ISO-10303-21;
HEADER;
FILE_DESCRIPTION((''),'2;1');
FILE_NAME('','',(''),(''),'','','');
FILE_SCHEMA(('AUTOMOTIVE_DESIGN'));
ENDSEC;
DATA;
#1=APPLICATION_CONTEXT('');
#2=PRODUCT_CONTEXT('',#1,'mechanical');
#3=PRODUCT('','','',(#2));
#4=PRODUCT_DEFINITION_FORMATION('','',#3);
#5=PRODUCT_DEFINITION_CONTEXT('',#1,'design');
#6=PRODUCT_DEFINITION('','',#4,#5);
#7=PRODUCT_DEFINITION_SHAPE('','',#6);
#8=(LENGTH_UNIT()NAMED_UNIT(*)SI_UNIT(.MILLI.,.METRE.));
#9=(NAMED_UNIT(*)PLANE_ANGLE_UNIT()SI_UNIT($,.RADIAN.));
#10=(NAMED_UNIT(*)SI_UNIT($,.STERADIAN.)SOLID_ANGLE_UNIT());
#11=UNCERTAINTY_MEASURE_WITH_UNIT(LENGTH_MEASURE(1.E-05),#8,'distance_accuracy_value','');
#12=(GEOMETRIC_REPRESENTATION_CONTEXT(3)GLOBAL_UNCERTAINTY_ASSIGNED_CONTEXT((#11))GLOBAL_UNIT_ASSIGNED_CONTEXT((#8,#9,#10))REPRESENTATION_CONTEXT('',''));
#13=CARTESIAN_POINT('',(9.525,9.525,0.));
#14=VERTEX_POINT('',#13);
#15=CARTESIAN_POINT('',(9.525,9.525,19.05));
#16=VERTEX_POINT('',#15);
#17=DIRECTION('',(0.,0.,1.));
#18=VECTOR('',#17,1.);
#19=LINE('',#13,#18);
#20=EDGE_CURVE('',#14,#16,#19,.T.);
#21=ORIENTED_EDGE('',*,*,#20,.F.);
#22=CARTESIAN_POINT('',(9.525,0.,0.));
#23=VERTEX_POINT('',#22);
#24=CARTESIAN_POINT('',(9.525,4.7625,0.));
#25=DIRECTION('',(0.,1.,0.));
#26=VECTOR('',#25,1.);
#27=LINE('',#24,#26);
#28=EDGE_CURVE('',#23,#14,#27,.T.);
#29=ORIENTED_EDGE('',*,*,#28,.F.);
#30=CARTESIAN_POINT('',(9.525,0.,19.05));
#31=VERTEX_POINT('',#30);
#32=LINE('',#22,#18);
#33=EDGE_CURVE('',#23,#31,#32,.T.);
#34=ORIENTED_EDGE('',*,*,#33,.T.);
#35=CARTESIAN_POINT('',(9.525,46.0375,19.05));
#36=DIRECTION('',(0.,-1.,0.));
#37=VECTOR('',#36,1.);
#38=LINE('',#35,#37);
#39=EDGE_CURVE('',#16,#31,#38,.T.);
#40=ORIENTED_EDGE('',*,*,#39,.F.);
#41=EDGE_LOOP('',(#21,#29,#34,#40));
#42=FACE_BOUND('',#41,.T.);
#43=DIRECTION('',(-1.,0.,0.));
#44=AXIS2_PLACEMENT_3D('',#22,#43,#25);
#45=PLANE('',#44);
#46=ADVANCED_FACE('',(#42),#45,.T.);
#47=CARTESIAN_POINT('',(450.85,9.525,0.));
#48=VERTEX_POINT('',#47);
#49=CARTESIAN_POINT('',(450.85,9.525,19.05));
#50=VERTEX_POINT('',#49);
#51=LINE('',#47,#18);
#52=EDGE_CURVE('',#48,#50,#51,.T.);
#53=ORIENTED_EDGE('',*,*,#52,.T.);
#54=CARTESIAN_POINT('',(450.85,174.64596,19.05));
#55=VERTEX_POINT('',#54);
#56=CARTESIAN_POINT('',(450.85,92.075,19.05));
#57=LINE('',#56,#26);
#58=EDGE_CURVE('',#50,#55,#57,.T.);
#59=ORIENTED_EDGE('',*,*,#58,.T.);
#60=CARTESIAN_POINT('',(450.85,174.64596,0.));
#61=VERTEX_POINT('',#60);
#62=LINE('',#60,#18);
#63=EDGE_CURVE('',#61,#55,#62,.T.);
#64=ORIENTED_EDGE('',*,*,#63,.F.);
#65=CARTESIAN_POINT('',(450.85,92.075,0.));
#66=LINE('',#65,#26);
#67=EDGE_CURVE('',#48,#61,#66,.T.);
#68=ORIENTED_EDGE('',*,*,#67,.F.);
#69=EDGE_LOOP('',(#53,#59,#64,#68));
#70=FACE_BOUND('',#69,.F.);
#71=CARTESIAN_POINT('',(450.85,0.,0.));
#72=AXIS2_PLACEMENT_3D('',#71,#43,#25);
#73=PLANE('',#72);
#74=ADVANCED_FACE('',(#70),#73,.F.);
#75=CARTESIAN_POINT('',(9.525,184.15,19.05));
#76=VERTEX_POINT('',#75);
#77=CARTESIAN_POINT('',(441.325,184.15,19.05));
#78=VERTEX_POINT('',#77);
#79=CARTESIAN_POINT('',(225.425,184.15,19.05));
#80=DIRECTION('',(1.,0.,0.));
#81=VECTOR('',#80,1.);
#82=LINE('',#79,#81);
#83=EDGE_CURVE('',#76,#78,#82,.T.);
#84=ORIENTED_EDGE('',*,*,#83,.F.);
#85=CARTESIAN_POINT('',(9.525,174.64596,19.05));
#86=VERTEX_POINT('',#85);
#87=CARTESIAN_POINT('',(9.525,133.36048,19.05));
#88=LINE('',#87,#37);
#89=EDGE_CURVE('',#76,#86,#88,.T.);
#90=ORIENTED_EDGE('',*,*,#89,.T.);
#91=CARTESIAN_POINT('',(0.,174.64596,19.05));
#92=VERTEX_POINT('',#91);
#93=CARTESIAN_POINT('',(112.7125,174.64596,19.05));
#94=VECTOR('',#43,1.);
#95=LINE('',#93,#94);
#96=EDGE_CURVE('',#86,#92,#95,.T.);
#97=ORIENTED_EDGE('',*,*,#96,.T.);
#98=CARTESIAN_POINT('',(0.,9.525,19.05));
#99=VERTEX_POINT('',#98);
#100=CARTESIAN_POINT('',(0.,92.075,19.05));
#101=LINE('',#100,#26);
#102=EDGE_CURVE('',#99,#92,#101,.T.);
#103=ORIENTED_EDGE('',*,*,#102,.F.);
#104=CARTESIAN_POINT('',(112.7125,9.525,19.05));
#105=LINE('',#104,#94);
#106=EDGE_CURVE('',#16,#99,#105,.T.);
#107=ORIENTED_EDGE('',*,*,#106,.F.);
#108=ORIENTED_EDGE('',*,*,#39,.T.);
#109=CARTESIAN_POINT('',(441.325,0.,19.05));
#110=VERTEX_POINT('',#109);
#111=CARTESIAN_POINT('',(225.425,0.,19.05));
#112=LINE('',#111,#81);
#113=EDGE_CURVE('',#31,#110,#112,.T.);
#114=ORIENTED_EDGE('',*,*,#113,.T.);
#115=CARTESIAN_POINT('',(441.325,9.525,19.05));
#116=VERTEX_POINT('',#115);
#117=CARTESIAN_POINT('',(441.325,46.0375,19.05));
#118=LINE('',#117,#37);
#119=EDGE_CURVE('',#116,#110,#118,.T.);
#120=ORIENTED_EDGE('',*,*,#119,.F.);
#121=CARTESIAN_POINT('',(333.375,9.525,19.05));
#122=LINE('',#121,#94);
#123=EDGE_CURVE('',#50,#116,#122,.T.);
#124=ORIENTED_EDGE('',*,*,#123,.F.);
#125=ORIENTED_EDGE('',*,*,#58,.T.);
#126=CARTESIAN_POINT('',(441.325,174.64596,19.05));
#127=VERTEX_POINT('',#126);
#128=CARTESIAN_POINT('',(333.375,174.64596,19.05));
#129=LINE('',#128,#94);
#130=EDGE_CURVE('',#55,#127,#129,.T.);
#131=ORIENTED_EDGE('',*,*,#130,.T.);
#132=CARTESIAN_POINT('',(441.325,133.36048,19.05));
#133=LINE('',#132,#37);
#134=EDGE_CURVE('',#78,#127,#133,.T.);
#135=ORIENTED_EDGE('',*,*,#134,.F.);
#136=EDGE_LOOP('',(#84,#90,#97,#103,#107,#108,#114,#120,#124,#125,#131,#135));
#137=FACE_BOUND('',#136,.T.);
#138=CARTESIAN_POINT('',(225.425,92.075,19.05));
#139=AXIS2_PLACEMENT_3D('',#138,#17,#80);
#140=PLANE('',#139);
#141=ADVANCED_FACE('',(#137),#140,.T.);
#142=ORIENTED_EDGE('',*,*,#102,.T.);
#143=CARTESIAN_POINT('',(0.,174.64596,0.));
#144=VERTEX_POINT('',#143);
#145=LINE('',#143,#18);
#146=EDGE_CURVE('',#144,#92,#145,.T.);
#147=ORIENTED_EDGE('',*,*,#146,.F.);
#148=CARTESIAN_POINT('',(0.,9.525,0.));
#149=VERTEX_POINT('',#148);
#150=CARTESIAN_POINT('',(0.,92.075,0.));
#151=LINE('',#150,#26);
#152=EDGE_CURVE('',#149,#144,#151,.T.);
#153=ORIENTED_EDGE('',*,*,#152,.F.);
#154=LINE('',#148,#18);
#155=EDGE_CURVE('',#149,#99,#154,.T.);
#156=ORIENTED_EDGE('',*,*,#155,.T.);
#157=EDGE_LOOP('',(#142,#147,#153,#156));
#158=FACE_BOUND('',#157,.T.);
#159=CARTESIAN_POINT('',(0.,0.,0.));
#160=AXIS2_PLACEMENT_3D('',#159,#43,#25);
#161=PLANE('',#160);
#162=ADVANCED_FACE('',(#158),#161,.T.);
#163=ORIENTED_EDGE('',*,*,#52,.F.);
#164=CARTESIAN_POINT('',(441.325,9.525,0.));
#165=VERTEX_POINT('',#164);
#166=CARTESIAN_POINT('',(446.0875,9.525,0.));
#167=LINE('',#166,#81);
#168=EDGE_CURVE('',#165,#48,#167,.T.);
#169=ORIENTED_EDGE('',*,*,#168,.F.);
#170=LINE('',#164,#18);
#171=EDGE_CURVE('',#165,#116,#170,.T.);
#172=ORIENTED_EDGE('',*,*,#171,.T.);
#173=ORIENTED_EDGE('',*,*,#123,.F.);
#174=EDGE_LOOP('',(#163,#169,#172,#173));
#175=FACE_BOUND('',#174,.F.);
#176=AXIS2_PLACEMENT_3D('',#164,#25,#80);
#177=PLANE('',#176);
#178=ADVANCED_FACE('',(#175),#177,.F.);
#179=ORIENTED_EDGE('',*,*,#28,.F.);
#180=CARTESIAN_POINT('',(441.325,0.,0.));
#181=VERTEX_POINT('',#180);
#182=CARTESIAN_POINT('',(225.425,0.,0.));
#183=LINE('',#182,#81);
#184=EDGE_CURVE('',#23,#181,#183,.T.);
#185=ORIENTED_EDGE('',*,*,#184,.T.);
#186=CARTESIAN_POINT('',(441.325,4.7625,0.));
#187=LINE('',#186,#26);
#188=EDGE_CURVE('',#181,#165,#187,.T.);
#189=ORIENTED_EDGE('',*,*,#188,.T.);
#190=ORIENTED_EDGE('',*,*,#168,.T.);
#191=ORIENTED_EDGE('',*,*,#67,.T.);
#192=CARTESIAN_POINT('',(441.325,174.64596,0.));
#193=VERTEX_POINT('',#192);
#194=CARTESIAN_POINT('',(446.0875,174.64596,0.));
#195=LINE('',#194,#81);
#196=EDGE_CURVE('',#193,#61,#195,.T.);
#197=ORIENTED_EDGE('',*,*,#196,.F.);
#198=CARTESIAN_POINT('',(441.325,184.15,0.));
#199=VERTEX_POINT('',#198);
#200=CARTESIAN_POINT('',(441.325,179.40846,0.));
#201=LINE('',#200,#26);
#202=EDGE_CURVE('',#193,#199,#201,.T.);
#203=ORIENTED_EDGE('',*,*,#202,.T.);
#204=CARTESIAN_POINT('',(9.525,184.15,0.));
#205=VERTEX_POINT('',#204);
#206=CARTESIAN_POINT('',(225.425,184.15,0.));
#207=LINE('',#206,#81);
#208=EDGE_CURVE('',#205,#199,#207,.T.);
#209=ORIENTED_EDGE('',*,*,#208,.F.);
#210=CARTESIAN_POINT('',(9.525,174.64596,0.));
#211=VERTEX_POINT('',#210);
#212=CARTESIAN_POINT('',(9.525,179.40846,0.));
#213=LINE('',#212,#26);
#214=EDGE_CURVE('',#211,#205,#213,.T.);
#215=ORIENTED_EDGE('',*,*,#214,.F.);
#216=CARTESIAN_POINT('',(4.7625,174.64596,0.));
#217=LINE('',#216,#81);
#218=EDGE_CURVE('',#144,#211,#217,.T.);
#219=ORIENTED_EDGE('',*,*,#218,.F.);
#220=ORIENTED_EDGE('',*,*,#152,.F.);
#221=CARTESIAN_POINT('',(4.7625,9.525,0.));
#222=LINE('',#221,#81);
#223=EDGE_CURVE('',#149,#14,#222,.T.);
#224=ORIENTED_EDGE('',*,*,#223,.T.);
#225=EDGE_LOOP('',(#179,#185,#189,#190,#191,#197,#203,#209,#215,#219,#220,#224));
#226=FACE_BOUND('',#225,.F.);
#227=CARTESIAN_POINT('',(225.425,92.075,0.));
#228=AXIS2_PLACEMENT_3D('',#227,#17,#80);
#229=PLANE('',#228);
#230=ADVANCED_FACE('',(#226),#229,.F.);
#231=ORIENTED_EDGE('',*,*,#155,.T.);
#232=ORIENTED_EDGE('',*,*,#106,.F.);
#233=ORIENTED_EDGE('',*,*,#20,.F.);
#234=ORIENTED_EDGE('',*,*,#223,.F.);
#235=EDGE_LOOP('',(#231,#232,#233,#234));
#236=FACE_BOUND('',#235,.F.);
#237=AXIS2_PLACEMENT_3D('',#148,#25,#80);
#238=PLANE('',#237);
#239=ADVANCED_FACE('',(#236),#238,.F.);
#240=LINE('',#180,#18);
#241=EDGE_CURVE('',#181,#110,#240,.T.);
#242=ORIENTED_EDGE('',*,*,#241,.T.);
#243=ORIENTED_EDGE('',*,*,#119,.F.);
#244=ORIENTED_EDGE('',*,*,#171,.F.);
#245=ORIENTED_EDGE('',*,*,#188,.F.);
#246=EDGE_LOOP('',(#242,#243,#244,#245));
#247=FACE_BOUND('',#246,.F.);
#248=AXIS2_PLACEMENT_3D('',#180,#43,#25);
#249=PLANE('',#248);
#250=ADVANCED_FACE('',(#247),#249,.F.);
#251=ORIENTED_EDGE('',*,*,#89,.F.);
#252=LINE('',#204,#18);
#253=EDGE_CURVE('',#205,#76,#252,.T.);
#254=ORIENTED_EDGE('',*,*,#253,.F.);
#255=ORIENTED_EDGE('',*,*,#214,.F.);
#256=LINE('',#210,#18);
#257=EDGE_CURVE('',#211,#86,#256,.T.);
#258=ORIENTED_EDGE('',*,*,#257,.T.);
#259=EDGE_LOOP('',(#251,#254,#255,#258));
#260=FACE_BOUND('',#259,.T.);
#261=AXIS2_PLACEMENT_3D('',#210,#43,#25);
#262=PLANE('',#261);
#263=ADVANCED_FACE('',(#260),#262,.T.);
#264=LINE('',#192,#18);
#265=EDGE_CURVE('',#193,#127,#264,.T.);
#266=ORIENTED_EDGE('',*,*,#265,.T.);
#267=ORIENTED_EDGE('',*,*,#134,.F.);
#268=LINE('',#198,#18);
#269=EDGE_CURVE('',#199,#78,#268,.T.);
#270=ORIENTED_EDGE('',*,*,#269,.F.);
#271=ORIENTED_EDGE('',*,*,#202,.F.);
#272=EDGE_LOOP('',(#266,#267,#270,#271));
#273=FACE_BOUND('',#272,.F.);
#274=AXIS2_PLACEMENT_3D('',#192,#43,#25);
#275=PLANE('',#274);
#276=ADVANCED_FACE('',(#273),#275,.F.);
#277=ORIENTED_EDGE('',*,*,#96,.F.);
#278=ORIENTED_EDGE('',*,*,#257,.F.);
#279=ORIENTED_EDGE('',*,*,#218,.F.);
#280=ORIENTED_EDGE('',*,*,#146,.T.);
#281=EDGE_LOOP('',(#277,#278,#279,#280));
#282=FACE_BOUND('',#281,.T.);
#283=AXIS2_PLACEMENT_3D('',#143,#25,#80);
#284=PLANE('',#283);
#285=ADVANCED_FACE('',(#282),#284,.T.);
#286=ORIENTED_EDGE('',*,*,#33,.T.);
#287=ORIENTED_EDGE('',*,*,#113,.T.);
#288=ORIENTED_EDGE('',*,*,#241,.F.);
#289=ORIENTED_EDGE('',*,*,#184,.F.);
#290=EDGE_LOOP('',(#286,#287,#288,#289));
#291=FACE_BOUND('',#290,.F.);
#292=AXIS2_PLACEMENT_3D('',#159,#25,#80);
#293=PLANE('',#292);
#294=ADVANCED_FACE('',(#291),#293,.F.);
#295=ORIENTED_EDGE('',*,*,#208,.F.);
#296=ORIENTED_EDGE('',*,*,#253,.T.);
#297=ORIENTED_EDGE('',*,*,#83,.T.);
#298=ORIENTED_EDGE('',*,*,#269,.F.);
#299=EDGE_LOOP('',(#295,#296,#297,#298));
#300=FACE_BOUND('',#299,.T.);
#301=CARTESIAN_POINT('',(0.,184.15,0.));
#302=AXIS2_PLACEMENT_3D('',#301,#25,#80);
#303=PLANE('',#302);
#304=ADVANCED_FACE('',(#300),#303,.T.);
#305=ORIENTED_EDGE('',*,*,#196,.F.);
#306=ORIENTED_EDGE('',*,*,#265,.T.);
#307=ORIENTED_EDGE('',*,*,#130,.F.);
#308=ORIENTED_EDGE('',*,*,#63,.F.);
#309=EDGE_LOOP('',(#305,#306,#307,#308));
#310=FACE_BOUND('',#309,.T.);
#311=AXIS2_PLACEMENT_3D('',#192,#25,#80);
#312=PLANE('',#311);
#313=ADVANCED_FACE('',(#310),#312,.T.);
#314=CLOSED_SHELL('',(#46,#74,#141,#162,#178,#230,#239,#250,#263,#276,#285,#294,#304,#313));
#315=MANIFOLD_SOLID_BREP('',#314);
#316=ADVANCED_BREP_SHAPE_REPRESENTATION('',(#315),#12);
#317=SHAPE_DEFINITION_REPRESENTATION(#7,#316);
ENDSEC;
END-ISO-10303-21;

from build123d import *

# Parameters (mm, degrees)
F0_W     = 450.85
F0_H     = 184.15
F2_DEPTH = 19.05
F1_W     = 9.525
F1_H     = 9.525
F3_DEPTH = 25.4


with BuildPart() as f2:
    # F0 (on Top) → F2 (new body)
    with BuildSketch(Plane.XY):
        with Locations((225.425, 92.075)):
            Rectangle(F0_W, F0_H)
    extrude(amount=F2_DEPTH)

    # F1 (on face) → F3 (cut)
    with BuildSketch(Plane.XY):
        with Locations((4.7625, 4.7625)):
            Rectangle(F1_W, F1_H)
        with Locations((4.7625, 179.40846)):
            Rectangle(F1_W, F1_H)
        with Locations((446.0875, 4.7625)):
            Rectangle(F1_W, F1_H)
        with Locations((446.0875, 179.40846)):
            Rectangle(F1_W, F1_H)
    extrude(amount=F3_DEPTH, mode=Mode.SUBTRACT)


solid = f2.part
